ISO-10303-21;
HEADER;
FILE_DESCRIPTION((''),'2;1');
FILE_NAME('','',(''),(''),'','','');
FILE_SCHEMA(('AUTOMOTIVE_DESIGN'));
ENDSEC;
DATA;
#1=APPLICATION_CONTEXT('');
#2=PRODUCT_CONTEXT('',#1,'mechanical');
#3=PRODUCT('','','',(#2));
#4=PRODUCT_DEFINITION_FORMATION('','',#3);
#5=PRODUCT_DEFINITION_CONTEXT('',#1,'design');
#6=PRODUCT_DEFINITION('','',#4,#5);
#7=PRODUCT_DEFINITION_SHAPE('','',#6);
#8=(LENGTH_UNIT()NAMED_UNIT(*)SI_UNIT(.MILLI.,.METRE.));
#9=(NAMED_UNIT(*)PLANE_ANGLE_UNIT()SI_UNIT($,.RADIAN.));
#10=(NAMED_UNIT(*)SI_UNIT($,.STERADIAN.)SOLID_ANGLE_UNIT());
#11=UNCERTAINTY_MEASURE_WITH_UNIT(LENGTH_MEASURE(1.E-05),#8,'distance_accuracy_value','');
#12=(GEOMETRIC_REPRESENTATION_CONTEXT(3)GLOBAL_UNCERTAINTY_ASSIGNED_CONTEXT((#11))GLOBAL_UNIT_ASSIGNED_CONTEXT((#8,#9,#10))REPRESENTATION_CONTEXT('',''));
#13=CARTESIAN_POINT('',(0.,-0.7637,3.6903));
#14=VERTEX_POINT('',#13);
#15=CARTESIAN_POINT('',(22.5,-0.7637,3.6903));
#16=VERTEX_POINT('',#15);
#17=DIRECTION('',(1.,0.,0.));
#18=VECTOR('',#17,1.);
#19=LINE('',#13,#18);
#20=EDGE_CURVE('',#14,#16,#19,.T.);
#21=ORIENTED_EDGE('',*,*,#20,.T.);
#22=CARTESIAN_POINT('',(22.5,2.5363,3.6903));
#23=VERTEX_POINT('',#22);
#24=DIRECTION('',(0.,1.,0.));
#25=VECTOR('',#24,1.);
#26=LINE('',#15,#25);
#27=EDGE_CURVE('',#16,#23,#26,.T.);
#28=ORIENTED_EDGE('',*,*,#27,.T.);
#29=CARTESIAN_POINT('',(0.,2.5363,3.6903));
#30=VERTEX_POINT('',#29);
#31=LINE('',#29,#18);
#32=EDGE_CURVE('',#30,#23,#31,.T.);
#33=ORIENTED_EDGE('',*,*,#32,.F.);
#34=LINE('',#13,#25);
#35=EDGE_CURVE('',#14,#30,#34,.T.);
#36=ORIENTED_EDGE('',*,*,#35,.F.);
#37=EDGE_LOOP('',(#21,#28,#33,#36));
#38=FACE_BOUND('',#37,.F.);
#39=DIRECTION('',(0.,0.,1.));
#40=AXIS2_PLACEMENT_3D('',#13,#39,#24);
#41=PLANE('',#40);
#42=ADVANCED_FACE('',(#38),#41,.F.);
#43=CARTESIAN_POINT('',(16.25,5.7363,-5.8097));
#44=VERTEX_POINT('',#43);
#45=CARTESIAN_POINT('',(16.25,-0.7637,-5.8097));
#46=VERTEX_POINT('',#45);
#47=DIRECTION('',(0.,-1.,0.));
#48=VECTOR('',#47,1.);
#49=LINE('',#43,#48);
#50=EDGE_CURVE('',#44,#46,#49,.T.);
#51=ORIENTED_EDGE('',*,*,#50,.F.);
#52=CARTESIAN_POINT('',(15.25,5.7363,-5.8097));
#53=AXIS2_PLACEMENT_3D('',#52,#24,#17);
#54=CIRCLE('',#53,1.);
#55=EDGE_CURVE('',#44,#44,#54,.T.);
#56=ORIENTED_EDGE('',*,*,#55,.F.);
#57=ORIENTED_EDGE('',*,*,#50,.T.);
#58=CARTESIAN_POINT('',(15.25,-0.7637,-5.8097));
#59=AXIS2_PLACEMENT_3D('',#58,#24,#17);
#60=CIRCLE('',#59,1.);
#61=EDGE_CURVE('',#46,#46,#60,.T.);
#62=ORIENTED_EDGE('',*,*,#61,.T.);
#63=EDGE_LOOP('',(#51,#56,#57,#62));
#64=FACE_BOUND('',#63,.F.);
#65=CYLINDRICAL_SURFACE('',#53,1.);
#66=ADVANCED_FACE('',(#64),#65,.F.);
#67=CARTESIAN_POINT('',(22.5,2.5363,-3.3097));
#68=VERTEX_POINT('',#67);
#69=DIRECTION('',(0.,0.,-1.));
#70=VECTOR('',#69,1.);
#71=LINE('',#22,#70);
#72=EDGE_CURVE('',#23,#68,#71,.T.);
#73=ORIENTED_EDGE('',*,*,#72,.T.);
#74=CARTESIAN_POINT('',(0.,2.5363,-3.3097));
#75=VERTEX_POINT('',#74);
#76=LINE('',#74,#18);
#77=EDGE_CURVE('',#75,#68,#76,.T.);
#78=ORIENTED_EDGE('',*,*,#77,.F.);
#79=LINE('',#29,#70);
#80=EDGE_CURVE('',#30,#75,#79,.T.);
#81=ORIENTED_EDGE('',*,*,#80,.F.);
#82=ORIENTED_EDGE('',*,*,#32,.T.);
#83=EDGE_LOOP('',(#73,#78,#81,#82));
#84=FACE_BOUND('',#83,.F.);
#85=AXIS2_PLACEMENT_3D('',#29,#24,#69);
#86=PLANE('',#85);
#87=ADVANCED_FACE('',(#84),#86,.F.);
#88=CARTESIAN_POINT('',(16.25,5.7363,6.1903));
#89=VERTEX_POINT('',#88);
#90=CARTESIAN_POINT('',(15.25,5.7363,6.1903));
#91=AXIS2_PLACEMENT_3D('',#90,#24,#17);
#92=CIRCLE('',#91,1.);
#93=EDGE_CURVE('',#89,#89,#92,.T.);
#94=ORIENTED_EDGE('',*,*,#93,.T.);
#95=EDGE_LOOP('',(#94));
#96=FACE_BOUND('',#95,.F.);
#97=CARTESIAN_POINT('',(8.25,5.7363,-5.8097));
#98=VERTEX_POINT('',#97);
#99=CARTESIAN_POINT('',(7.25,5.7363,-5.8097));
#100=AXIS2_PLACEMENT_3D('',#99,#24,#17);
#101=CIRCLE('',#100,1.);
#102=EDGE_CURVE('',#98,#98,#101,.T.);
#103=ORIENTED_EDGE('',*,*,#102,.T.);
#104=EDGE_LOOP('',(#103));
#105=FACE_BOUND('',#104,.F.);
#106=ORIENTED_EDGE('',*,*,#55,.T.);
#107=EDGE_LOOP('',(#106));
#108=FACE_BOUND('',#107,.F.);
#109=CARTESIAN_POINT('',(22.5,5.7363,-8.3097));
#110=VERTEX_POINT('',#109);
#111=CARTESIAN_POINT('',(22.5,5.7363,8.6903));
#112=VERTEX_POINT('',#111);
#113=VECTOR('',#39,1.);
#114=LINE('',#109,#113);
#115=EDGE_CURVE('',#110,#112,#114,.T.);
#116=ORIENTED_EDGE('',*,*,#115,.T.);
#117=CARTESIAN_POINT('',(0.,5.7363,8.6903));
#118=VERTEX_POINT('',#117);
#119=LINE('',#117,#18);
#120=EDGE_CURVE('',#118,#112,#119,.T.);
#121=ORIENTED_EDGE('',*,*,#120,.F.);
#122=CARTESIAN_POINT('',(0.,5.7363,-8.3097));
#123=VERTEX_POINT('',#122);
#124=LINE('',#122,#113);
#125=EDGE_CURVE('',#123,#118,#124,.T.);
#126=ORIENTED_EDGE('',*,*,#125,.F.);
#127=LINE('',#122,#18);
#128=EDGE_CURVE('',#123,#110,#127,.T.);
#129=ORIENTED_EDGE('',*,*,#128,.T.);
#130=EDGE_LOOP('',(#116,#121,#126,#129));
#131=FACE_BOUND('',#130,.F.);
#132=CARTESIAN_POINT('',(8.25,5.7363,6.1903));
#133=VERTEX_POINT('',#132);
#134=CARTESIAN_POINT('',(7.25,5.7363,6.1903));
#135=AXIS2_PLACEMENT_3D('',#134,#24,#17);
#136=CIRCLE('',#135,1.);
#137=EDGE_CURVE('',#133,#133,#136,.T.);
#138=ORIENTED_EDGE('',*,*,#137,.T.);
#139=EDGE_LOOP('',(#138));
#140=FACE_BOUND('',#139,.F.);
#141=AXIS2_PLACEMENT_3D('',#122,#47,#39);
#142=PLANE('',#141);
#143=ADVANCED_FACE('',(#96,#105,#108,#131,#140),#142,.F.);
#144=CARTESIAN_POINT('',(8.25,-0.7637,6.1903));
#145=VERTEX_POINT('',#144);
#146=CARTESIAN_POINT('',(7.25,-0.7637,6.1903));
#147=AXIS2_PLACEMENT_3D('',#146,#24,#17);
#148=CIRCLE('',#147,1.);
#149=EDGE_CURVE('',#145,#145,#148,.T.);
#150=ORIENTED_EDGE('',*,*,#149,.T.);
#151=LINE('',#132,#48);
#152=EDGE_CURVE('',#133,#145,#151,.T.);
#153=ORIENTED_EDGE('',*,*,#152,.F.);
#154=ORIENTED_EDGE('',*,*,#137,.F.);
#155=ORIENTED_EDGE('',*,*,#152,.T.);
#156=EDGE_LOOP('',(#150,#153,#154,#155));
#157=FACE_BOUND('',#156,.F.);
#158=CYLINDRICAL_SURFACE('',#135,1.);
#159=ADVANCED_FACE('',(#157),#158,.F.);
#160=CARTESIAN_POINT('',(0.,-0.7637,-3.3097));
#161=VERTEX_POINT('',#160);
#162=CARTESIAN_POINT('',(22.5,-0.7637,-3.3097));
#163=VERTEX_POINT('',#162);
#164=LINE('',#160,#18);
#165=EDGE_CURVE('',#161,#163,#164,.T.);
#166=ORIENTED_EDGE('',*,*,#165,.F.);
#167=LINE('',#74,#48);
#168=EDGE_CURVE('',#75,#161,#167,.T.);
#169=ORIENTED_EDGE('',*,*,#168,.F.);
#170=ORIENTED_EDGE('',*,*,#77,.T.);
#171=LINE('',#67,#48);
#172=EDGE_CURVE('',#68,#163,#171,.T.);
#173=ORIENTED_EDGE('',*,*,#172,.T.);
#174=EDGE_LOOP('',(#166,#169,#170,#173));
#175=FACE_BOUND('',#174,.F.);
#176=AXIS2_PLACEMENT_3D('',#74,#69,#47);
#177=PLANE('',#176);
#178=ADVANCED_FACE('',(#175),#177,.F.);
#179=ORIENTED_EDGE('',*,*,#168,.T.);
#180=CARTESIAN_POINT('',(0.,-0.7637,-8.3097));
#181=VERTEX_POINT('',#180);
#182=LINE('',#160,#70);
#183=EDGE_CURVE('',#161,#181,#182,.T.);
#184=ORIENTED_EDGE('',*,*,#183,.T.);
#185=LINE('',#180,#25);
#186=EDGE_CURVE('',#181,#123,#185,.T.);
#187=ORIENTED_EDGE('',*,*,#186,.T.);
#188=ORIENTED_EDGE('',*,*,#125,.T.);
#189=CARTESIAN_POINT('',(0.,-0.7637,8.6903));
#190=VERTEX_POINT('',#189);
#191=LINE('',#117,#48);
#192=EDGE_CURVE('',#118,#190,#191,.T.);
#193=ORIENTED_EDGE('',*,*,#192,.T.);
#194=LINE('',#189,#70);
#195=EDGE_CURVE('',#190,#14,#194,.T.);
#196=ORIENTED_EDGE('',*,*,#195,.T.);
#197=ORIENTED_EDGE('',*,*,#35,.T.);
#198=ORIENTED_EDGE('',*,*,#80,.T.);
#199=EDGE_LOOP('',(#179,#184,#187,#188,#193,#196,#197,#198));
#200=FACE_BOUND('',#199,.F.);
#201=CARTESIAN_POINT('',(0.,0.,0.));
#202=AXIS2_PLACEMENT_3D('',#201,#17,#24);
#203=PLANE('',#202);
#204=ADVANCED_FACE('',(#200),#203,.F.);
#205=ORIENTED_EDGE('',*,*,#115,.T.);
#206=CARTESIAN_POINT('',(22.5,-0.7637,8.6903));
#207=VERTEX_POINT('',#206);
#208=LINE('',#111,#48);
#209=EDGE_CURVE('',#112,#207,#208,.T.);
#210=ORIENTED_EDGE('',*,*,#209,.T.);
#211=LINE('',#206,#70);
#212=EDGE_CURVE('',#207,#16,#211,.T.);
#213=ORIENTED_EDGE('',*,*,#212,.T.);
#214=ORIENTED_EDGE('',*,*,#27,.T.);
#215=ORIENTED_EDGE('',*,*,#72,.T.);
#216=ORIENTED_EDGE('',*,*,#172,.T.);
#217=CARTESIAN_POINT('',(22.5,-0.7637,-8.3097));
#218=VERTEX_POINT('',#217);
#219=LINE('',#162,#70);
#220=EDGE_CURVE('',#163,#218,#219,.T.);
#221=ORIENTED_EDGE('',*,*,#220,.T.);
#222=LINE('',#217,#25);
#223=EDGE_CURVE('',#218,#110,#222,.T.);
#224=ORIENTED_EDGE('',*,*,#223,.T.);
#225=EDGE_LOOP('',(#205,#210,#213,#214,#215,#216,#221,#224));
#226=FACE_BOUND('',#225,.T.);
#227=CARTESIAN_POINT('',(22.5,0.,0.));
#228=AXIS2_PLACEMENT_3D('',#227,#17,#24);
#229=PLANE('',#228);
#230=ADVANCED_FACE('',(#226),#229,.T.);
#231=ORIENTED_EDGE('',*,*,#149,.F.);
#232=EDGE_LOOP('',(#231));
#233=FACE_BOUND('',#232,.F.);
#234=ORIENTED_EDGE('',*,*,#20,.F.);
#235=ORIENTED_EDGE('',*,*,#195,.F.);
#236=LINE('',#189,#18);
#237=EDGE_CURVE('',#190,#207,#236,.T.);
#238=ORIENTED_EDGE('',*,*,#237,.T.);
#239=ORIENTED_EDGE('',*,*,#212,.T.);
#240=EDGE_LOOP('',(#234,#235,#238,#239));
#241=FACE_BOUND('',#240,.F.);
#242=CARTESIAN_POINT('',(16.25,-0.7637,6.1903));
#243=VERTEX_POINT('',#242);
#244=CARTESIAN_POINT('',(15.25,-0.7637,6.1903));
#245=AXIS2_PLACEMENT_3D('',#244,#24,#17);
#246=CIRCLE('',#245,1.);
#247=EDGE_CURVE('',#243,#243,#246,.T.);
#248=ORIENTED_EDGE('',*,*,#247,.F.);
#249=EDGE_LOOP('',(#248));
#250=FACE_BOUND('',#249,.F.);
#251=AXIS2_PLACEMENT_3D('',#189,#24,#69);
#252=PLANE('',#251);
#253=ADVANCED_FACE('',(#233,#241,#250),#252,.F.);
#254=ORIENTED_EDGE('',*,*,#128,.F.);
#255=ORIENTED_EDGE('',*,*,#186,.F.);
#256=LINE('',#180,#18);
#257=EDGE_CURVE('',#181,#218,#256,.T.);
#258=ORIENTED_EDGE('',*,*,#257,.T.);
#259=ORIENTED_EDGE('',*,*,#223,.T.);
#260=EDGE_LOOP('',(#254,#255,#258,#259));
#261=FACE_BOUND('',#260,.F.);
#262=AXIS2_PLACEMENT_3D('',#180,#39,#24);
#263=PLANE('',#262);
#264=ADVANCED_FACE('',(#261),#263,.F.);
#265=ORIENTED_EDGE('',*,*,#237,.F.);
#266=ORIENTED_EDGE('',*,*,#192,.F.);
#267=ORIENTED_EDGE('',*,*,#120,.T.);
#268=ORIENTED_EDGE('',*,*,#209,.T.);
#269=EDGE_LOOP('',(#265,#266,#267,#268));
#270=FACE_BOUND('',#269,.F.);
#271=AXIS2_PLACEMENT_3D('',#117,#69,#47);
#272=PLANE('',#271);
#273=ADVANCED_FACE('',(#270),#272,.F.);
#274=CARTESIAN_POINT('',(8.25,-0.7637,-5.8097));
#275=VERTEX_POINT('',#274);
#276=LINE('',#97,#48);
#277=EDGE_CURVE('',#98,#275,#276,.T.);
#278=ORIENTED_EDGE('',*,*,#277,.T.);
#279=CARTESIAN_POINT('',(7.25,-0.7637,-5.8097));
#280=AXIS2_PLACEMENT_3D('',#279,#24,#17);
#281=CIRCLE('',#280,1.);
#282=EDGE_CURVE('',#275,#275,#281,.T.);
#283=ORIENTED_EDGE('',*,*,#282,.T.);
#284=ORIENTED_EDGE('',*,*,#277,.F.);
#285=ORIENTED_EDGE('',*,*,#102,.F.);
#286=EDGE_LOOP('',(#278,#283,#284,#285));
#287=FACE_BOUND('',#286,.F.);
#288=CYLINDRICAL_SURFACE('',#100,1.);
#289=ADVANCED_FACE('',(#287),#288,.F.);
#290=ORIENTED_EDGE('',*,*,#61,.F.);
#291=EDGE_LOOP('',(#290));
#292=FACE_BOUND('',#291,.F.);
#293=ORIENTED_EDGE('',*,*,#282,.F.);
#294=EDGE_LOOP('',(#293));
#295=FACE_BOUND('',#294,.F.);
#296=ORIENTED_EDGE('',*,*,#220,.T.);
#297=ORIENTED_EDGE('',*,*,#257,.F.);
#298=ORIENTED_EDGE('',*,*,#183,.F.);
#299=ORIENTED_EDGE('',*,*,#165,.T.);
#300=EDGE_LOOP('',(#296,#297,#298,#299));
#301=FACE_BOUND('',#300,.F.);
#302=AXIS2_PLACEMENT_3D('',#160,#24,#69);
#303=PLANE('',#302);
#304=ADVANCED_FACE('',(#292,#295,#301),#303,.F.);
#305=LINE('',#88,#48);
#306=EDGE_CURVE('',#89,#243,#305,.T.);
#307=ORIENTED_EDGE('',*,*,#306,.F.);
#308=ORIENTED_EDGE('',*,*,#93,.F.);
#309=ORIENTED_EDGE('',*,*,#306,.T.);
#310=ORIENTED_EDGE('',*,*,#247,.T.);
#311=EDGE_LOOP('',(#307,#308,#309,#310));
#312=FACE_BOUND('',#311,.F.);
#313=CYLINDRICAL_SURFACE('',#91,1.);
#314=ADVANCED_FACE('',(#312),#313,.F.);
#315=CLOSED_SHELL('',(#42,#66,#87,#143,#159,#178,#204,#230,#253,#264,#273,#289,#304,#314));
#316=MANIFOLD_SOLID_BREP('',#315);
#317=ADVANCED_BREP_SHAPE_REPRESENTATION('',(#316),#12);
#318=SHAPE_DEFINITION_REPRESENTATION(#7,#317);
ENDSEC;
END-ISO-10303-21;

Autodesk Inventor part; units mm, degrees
ref_plane "YZ Plane" through (0, 0, 0) normal (1, 0, 0) x (0, 1, 0)
ref_plane "XZ Plane" through (0, 0, 0) normal (0, 1, 0) x (-1, 0, 0)
ref_plane "XY Plane" through (0, 0, 0) normal (0, 0, 1) x (1, 0, 0)
sketch "Sketch1" plane through (0, 0, 0) normal (1, 0, 0) x (0, 1, 0)
  line L0 (5.7363, 8.6903) -> (-0.7637, 8.6903)
  line L1 (-0.7637, 8.6903) -> (-0.7637, 3.6903)
  line L2 (-0.7637, 3.6903) -> (2.5363, 3.6903)
  line L3 (2.5363, 3.6903) -> (2.5363, -3.3097)
  line L4 (2.5363, -3.3097) -> (-0.7637, -3.3097)
  line L5 (-0.7637, -3.3097) -> (-0.7637, -8.3097)
  line L6 (-0.7637, -8.3097) -> (5.7363, -8.3097)
  line L7 (5.7363, -8.3097) -> (5.7363, 8.6903)
  point P0 (0, 0)
  dimension "d0" = 17
  dimension "d1" = 3.3
  dimension "d2" = 6.5
  dimension "d3" = 5
  dimension "d4" = 7
extrude "Extrusion1" add sketch "Sketch1" along normal blind 22.5
sketch "Sketch2" plane through (0, 5.7363, 8.6903) normal (0, 1, 0) x (1, 0, 0)
  circle A0 centre (7.25, 2.5) radius 1
  circle A1 centre (15.25, 2.5) radius 1
  circle A2 centre (15.25, 14.5) radius 1
  circle A3 centre (7.25, 14.5) radius 1
  line L0 (0, 0) -> (22.5, 0) projected
  line L1 (22.5, 17) -> (22.5, 0) projected
  line L2 (0, 17) -> (0, 0) projected
  point P0 (0, 8.6903)
  dimension "d7" = 8
  dimension "d8" = 2
  dimension "d10" = 2
  dimension "d12" = 2
  dimension "d13" = 2
  dimension "d14" = 12
  dimension "d15" = 12
  dimension "d16" = 2.5
  dimension "d17" = 7.25
  dimension "d18" = 7.25
  dimension "d20" = 8
  dimension "d21" = 2.5
extrude "Extrusion2" cut sketch "Sketch2" against normal through all
properties part number "MGN7C_slider" material "ABS Plastic"
